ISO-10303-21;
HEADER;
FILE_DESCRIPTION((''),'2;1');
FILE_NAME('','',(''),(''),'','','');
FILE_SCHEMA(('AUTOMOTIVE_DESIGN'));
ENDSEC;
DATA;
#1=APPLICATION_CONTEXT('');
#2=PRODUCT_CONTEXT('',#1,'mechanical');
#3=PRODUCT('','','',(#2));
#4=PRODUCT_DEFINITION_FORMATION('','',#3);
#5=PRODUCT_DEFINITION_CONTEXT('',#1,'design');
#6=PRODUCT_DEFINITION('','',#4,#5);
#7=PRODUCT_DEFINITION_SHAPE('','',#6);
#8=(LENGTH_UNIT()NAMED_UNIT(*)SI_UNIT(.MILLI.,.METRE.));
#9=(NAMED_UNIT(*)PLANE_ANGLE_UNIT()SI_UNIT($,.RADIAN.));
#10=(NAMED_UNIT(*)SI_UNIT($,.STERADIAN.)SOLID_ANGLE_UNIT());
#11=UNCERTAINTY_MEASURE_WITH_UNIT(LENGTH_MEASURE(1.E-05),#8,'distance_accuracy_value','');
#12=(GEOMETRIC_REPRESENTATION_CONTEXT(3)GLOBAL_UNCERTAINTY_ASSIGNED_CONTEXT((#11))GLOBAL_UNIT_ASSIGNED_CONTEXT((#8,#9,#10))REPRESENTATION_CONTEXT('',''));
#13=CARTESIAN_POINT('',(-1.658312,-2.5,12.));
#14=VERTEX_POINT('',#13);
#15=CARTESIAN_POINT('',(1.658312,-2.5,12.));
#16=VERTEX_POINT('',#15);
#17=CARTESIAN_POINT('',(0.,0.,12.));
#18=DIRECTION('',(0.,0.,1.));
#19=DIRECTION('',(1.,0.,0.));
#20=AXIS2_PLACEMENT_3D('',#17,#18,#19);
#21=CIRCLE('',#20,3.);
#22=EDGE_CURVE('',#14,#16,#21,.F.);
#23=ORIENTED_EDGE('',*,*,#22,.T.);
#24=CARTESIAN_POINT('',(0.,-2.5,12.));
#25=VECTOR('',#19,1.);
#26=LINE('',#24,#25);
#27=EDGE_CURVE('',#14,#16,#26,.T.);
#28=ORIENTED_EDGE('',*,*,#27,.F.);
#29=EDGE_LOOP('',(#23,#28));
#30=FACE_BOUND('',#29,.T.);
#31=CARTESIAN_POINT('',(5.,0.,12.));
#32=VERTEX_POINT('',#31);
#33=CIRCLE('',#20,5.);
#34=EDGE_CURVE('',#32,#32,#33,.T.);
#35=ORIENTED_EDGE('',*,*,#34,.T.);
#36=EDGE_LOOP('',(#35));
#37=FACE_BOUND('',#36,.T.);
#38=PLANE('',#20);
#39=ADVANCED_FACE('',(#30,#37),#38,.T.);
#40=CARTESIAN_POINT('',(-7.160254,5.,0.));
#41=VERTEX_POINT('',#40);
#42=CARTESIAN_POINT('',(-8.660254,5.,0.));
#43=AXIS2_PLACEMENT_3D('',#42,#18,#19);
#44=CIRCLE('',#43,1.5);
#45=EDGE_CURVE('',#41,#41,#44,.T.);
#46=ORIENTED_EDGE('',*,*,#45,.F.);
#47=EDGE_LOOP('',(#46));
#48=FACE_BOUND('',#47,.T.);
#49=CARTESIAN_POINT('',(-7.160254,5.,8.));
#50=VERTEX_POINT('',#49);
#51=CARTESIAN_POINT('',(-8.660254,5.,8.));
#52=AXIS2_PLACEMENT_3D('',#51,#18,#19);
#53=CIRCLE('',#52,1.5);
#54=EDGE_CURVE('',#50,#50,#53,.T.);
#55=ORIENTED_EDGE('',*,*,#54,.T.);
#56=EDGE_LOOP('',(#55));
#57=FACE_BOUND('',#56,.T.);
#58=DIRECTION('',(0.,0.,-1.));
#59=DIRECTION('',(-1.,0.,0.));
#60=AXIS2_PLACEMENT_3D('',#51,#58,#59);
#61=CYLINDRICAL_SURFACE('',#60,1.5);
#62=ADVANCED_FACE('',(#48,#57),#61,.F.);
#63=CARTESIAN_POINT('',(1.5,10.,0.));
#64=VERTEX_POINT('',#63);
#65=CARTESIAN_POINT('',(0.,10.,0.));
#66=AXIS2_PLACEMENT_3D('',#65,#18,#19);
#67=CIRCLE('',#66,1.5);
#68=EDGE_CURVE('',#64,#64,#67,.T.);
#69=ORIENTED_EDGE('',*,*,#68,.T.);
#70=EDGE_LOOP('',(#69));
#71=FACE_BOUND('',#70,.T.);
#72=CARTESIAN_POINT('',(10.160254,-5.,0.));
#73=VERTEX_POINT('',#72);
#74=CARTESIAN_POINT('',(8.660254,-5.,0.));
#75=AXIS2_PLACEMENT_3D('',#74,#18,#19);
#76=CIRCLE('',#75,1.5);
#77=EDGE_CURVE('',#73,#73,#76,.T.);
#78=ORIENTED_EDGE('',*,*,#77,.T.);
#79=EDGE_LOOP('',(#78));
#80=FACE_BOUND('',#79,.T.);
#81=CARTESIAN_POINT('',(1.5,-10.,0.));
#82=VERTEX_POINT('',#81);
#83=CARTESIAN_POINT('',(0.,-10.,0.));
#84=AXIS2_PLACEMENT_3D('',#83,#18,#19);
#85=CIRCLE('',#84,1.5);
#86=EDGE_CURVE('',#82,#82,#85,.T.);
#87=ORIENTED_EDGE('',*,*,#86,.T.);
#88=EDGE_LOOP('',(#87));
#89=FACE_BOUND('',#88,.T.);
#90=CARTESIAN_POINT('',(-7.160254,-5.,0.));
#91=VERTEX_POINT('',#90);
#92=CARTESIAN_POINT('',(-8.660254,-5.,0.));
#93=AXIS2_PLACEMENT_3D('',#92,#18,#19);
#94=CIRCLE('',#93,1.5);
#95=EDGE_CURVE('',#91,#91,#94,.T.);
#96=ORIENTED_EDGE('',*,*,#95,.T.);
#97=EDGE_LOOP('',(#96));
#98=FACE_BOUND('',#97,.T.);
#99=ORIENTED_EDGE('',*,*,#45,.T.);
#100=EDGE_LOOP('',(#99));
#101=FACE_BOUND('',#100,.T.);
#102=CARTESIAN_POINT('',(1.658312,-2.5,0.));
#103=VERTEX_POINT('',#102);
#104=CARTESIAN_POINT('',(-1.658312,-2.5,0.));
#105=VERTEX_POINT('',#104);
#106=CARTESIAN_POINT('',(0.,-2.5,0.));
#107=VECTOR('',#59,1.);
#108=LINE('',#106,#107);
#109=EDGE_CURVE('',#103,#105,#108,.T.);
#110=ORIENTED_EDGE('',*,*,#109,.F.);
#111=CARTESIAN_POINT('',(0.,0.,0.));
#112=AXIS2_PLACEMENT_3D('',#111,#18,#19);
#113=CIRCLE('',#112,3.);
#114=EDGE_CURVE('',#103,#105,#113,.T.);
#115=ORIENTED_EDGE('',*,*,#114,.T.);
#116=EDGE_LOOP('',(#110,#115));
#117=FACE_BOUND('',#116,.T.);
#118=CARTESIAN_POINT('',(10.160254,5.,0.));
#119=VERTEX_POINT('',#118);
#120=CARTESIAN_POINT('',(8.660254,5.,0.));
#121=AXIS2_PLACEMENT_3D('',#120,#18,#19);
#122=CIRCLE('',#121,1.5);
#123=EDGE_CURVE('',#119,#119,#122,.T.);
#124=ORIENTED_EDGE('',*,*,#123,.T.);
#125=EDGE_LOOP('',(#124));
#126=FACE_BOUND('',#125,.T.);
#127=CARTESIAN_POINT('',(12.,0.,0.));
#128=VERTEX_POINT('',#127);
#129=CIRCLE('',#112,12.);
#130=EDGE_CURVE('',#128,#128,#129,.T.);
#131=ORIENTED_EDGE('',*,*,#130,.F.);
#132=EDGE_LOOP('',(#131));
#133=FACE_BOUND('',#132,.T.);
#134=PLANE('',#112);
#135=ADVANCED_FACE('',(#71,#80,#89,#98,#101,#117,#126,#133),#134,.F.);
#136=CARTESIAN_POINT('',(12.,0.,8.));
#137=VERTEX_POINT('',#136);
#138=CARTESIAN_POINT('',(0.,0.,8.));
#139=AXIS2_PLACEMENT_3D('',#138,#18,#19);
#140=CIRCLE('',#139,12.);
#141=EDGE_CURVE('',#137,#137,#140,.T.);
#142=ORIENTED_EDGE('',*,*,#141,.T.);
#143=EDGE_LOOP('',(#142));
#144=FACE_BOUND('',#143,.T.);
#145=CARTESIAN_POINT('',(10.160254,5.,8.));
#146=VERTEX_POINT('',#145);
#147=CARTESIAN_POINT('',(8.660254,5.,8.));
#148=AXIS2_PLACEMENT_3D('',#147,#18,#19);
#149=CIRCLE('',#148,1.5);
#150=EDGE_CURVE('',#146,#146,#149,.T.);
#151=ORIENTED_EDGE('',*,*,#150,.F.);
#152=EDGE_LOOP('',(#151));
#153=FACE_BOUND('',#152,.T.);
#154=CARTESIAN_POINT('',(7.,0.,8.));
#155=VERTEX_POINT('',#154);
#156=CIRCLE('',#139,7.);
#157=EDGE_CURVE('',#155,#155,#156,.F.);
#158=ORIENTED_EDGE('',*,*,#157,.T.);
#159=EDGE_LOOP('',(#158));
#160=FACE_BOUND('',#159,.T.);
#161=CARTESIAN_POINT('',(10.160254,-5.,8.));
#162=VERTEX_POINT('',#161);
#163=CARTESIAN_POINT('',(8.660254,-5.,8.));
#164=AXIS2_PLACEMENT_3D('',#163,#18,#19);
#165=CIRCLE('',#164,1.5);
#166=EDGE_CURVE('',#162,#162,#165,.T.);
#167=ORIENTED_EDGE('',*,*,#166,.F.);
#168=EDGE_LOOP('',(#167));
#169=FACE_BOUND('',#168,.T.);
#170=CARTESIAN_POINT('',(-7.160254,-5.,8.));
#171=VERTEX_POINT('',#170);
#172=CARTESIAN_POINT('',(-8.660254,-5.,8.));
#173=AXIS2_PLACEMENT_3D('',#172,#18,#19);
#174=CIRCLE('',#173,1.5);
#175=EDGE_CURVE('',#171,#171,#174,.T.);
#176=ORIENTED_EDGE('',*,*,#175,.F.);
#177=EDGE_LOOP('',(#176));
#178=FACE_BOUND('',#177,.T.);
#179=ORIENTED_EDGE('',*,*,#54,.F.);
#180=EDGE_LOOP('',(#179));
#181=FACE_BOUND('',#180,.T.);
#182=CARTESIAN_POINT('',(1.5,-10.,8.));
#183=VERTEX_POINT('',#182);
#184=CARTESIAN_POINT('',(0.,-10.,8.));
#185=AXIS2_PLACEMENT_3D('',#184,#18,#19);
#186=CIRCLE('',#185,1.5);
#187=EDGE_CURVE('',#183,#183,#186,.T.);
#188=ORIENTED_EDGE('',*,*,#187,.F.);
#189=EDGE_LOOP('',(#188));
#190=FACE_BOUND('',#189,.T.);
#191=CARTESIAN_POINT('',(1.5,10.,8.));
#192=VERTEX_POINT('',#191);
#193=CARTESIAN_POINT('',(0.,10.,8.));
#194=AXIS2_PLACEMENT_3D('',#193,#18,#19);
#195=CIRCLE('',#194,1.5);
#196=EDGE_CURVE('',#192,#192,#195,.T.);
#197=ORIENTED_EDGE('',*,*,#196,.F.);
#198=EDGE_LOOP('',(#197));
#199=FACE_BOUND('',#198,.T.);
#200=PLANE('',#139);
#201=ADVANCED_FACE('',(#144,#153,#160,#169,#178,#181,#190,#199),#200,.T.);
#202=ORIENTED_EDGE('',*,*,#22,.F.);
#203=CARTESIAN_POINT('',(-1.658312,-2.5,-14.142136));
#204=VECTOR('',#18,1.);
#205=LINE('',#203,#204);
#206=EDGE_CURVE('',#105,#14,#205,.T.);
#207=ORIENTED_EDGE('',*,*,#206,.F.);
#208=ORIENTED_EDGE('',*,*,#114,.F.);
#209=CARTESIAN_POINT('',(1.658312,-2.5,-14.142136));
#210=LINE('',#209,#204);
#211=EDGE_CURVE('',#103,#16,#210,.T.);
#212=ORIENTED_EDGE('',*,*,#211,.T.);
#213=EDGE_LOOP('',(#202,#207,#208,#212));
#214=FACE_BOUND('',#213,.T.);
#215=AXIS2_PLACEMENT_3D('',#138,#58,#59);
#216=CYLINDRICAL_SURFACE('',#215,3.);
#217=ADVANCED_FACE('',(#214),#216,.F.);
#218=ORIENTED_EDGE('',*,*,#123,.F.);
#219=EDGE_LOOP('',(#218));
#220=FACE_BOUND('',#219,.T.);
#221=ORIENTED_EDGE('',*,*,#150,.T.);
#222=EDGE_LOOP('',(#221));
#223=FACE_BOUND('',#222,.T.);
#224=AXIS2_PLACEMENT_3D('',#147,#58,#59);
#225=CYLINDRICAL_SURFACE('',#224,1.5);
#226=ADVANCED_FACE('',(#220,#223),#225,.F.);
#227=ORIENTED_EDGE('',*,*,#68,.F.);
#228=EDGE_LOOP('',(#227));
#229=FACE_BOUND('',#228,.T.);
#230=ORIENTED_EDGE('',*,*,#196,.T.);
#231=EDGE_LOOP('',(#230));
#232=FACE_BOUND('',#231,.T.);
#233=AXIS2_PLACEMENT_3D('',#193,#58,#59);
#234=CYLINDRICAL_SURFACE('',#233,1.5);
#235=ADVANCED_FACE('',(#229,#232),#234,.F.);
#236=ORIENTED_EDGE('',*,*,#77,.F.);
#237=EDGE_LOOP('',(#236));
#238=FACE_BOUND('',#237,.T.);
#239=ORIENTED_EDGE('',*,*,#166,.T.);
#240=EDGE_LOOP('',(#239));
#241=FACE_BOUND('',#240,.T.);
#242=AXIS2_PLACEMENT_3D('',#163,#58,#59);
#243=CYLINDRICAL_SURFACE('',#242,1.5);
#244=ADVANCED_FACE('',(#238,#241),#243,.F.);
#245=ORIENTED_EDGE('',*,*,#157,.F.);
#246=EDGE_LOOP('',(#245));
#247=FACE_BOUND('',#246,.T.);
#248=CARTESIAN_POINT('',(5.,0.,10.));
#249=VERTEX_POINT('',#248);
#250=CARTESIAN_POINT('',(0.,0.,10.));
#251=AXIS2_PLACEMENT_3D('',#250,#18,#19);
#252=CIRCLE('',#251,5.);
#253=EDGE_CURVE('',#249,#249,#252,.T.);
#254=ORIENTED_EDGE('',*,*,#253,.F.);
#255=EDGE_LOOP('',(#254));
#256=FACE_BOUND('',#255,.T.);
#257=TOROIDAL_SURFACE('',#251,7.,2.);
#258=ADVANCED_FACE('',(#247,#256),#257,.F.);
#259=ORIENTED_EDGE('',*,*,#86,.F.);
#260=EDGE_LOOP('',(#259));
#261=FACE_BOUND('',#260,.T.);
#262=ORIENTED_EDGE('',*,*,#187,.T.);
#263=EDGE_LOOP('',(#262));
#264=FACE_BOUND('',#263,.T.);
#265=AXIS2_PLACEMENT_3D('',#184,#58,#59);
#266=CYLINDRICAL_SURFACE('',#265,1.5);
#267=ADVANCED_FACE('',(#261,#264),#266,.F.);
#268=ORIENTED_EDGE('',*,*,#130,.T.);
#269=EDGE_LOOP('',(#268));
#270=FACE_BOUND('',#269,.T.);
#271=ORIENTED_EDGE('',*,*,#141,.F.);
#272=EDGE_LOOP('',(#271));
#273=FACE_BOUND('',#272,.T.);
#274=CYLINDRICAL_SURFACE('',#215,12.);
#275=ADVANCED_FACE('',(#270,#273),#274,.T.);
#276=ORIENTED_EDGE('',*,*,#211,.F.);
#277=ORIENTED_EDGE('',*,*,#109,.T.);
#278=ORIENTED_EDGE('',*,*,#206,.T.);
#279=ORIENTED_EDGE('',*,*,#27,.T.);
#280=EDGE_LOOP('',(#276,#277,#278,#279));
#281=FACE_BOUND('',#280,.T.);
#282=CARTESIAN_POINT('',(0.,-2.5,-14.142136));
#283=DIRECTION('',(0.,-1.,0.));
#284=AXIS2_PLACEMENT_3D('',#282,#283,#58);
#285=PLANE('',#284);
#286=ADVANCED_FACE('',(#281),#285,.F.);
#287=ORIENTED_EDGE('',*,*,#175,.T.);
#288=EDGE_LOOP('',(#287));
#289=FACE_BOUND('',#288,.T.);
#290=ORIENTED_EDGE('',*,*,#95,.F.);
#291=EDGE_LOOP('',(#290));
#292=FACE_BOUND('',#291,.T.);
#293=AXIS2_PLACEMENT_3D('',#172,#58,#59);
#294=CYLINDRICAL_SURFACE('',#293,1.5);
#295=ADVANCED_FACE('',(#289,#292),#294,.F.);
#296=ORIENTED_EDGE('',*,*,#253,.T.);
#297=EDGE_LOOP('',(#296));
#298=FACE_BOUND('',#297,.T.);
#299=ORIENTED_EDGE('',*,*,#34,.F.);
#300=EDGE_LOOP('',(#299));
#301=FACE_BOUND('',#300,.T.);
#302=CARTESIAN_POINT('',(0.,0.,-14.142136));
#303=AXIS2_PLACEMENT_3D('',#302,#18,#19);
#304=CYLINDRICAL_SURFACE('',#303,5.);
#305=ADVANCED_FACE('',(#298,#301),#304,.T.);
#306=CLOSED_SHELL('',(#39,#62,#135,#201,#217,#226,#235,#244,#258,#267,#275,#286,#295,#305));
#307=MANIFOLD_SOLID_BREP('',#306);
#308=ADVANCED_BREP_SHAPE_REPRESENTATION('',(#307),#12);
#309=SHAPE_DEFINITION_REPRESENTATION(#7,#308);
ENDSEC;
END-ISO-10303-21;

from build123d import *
from build123d.topology import SkipClean

# Parameters (mm, degrees)
SKETCH1_R                       = 12
SKETCH1_R_2                     = 1.5
SKETCH1_R_3                     = 3
BOSS_EXTRUDE1_DEPTH             = 8
SKETCH2_R                       = 5
BOSS_EXTRUDE2_DEPTH             = 4
BOSS_EXTRUDE2_DIRECTION_2_REACH = 20.762
FILLET1_R                       = 2


with BuildPart() as part:
    # Sketch1 → Boss-Extrude1 (new body)
    with BuildSketch(Plane.XY):
        Circle(SKETCH1_R)
        with Locations((0, 10)):
            Circle(SKETCH1_R_2, mode=Mode.SUBTRACT)
        Circle(SKETCH1_R_3, mode=Mode.SUBTRACT)
        with Locations((8.660254038, 5)):
            Circle(SKETCH1_R_2, mode=Mode.SUBTRACT)
        with Locations((8.660254038, -5)):
            Circle(SKETCH1_R_2, mode=Mode.SUBTRACT)
        with Locations((0, -10)):
            Circle(SKETCH1_R_2, mode=Mode.SUBTRACT)
        with Locations((-8.660254038, -5)):
            Circle(SKETCH1_R_2, mode=Mode.SUBTRACT)
        with Locations((-8.660254038, 5)):
            Circle(SKETCH1_R_2, mode=Mode.SUBTRACT)
    extrude(amount=BOSS_EXTRUDE1_DEPTH)

    # Sketch2 → Boss-Extrude2 (add)
    with SkipClean():  # the faces are left unmerged after this step: merging them gives an invalid solid
        with BuildSketch(Plane.XY.offset(8)):
            Circle(SKETCH2_R)
            with BuildLine():
                Line((1.658312395, -2.5), (-1.658312395, -2.5))
                ThreePointArc((-1.658312395, -2.5), (0, 3), (1.658312395, -2.5))
            make_face(mode=Mode.SUBTRACT)
        extrude(amount=BOSS_EXTRUDE2_DEPTH)

    # Boss-Extrude2 direction 2: up to this face of the body (flat: up to its plane)
    boss_extrude2_direction_2_end = Plane(part.part.faces().sort_by_distance((-11.660588745, 0, 0))[0])
    # Sketch2 → Boss-Extrude2 direction 2 (add, up to the picked face)
    with BuildSketch(Plane.XY.offset(8), mode=Mode.PRIVATE) as boss_extrude2_direction_2_sk1:
        Circle(SKETCH2_R)
        with BuildLine():
            Line((1.658312395, -2.5), (-1.658312395, -2.5))
            ThreePointArc((-1.658312395, -2.5), (0, 3), (1.658312395, -2.5))
        make_face(mode=Mode.SUBTRACT)
    boss_extrude2_direction_2_tool1 = split(extrude(boss_extrude2_direction_2_sk1.sketch, amount=-BOSS_EXTRUDE2_DIRECTION_2_REACH, mode=Mode.PRIVATE), bisect_by=boss_extrude2_direction_2_end, keep=Keep.BOTH, mode=Mode.PRIVATE)
    add(boss_extrude2_direction_2_tool1.solids().sort_by(Axis((-4.858579, 0, 8), (0, 0, -1)))[0])

    # Fillet1
    fillet1_edges = [part.edges().sort_by_distance(p)[0] for p in [
        (-5, 0, 8),
    ]]
    fillet(fillet1_edges, radius=FILLET1_R)


solid = part.part
